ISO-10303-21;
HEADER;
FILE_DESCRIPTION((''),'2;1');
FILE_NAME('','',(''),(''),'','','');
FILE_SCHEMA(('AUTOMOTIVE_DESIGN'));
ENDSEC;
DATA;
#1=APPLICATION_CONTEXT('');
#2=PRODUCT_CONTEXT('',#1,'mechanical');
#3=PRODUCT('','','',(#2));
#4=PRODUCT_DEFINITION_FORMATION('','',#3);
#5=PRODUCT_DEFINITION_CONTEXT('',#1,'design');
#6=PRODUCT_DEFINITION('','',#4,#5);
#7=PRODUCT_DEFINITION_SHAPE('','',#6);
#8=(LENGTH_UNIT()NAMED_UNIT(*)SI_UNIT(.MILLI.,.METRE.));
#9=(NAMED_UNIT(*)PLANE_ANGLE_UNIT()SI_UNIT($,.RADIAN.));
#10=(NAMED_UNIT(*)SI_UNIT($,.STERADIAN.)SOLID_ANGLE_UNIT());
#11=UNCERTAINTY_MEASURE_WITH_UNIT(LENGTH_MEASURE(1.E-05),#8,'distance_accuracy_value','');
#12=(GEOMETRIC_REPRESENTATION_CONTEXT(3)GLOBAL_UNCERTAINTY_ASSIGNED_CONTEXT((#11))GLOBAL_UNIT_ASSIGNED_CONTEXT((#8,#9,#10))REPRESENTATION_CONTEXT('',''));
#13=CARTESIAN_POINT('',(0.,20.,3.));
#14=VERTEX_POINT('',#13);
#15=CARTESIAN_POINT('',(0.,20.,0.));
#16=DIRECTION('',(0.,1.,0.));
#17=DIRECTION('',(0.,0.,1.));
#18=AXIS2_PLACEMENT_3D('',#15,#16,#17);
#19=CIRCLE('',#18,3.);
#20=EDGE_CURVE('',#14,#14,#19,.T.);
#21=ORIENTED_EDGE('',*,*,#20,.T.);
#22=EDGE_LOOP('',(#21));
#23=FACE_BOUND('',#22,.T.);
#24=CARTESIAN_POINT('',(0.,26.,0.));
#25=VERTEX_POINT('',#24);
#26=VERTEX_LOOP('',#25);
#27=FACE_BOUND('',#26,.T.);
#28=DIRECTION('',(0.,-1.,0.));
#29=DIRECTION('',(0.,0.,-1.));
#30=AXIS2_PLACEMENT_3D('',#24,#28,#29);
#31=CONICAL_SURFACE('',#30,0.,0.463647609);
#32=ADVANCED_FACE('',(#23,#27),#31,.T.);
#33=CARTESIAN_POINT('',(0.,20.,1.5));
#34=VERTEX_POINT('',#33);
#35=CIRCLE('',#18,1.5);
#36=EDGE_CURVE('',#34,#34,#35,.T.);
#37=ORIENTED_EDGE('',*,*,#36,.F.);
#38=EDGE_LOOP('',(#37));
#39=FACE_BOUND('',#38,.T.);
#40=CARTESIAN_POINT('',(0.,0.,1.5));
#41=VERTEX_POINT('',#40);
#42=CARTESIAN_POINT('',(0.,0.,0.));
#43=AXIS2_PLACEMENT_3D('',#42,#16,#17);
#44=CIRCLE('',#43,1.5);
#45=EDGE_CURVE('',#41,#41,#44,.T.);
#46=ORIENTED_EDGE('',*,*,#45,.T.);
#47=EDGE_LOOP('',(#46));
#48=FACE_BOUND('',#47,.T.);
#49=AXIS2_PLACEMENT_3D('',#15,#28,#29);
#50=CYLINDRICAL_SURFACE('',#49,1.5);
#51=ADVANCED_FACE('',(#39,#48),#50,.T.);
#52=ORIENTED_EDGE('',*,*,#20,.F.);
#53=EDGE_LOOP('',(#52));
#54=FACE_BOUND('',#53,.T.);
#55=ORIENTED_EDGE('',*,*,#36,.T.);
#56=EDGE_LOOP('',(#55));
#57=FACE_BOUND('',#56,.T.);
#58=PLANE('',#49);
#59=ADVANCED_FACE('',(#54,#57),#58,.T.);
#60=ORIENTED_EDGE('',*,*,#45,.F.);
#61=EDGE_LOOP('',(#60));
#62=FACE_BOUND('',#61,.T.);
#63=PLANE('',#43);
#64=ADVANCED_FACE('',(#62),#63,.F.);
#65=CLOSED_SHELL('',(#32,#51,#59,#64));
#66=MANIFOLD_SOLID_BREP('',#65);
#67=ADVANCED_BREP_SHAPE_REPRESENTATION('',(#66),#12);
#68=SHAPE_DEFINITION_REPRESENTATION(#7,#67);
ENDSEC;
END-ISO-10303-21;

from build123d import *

# Parameters (mm, degrees)
SKETCH1_R           = 1.5
BOSS_EXTRUDE1_DEPTH = 20


with BuildPart() as part:
    # Sketch1 → Boss-Extrude1 (new body)
    with BuildSketch(Plane(origin=(0, 0, 0), x_dir=(1, 0, 0), z_dir=(0, 1, 0))):
        with Locations(Location((0, 0, 0), (0, 0, 270))):
            Circle(SKETCH1_R)
    extrude(amount=BOSS_EXTRUDE1_DEPTH)

    # Sketch3 → Revolve1 (revolve)
    with BuildSketch(Plane(origin=(0, 0, 0), x_dir=(0, 0, -1), z_dir=(1, 0, 0)), mode=Mode.PRIVATE) as revolve1_sk:
        Polygon((0, 20), (-3, 20), (0, 26), align=None)
    revolve(revolve1_sk.sketch.rotate(Axis((0, 26, 0), (0, -1, 0)), 180), axis=Axis((0, 26, 0), (0, -1, 0)))


solid = part.part
